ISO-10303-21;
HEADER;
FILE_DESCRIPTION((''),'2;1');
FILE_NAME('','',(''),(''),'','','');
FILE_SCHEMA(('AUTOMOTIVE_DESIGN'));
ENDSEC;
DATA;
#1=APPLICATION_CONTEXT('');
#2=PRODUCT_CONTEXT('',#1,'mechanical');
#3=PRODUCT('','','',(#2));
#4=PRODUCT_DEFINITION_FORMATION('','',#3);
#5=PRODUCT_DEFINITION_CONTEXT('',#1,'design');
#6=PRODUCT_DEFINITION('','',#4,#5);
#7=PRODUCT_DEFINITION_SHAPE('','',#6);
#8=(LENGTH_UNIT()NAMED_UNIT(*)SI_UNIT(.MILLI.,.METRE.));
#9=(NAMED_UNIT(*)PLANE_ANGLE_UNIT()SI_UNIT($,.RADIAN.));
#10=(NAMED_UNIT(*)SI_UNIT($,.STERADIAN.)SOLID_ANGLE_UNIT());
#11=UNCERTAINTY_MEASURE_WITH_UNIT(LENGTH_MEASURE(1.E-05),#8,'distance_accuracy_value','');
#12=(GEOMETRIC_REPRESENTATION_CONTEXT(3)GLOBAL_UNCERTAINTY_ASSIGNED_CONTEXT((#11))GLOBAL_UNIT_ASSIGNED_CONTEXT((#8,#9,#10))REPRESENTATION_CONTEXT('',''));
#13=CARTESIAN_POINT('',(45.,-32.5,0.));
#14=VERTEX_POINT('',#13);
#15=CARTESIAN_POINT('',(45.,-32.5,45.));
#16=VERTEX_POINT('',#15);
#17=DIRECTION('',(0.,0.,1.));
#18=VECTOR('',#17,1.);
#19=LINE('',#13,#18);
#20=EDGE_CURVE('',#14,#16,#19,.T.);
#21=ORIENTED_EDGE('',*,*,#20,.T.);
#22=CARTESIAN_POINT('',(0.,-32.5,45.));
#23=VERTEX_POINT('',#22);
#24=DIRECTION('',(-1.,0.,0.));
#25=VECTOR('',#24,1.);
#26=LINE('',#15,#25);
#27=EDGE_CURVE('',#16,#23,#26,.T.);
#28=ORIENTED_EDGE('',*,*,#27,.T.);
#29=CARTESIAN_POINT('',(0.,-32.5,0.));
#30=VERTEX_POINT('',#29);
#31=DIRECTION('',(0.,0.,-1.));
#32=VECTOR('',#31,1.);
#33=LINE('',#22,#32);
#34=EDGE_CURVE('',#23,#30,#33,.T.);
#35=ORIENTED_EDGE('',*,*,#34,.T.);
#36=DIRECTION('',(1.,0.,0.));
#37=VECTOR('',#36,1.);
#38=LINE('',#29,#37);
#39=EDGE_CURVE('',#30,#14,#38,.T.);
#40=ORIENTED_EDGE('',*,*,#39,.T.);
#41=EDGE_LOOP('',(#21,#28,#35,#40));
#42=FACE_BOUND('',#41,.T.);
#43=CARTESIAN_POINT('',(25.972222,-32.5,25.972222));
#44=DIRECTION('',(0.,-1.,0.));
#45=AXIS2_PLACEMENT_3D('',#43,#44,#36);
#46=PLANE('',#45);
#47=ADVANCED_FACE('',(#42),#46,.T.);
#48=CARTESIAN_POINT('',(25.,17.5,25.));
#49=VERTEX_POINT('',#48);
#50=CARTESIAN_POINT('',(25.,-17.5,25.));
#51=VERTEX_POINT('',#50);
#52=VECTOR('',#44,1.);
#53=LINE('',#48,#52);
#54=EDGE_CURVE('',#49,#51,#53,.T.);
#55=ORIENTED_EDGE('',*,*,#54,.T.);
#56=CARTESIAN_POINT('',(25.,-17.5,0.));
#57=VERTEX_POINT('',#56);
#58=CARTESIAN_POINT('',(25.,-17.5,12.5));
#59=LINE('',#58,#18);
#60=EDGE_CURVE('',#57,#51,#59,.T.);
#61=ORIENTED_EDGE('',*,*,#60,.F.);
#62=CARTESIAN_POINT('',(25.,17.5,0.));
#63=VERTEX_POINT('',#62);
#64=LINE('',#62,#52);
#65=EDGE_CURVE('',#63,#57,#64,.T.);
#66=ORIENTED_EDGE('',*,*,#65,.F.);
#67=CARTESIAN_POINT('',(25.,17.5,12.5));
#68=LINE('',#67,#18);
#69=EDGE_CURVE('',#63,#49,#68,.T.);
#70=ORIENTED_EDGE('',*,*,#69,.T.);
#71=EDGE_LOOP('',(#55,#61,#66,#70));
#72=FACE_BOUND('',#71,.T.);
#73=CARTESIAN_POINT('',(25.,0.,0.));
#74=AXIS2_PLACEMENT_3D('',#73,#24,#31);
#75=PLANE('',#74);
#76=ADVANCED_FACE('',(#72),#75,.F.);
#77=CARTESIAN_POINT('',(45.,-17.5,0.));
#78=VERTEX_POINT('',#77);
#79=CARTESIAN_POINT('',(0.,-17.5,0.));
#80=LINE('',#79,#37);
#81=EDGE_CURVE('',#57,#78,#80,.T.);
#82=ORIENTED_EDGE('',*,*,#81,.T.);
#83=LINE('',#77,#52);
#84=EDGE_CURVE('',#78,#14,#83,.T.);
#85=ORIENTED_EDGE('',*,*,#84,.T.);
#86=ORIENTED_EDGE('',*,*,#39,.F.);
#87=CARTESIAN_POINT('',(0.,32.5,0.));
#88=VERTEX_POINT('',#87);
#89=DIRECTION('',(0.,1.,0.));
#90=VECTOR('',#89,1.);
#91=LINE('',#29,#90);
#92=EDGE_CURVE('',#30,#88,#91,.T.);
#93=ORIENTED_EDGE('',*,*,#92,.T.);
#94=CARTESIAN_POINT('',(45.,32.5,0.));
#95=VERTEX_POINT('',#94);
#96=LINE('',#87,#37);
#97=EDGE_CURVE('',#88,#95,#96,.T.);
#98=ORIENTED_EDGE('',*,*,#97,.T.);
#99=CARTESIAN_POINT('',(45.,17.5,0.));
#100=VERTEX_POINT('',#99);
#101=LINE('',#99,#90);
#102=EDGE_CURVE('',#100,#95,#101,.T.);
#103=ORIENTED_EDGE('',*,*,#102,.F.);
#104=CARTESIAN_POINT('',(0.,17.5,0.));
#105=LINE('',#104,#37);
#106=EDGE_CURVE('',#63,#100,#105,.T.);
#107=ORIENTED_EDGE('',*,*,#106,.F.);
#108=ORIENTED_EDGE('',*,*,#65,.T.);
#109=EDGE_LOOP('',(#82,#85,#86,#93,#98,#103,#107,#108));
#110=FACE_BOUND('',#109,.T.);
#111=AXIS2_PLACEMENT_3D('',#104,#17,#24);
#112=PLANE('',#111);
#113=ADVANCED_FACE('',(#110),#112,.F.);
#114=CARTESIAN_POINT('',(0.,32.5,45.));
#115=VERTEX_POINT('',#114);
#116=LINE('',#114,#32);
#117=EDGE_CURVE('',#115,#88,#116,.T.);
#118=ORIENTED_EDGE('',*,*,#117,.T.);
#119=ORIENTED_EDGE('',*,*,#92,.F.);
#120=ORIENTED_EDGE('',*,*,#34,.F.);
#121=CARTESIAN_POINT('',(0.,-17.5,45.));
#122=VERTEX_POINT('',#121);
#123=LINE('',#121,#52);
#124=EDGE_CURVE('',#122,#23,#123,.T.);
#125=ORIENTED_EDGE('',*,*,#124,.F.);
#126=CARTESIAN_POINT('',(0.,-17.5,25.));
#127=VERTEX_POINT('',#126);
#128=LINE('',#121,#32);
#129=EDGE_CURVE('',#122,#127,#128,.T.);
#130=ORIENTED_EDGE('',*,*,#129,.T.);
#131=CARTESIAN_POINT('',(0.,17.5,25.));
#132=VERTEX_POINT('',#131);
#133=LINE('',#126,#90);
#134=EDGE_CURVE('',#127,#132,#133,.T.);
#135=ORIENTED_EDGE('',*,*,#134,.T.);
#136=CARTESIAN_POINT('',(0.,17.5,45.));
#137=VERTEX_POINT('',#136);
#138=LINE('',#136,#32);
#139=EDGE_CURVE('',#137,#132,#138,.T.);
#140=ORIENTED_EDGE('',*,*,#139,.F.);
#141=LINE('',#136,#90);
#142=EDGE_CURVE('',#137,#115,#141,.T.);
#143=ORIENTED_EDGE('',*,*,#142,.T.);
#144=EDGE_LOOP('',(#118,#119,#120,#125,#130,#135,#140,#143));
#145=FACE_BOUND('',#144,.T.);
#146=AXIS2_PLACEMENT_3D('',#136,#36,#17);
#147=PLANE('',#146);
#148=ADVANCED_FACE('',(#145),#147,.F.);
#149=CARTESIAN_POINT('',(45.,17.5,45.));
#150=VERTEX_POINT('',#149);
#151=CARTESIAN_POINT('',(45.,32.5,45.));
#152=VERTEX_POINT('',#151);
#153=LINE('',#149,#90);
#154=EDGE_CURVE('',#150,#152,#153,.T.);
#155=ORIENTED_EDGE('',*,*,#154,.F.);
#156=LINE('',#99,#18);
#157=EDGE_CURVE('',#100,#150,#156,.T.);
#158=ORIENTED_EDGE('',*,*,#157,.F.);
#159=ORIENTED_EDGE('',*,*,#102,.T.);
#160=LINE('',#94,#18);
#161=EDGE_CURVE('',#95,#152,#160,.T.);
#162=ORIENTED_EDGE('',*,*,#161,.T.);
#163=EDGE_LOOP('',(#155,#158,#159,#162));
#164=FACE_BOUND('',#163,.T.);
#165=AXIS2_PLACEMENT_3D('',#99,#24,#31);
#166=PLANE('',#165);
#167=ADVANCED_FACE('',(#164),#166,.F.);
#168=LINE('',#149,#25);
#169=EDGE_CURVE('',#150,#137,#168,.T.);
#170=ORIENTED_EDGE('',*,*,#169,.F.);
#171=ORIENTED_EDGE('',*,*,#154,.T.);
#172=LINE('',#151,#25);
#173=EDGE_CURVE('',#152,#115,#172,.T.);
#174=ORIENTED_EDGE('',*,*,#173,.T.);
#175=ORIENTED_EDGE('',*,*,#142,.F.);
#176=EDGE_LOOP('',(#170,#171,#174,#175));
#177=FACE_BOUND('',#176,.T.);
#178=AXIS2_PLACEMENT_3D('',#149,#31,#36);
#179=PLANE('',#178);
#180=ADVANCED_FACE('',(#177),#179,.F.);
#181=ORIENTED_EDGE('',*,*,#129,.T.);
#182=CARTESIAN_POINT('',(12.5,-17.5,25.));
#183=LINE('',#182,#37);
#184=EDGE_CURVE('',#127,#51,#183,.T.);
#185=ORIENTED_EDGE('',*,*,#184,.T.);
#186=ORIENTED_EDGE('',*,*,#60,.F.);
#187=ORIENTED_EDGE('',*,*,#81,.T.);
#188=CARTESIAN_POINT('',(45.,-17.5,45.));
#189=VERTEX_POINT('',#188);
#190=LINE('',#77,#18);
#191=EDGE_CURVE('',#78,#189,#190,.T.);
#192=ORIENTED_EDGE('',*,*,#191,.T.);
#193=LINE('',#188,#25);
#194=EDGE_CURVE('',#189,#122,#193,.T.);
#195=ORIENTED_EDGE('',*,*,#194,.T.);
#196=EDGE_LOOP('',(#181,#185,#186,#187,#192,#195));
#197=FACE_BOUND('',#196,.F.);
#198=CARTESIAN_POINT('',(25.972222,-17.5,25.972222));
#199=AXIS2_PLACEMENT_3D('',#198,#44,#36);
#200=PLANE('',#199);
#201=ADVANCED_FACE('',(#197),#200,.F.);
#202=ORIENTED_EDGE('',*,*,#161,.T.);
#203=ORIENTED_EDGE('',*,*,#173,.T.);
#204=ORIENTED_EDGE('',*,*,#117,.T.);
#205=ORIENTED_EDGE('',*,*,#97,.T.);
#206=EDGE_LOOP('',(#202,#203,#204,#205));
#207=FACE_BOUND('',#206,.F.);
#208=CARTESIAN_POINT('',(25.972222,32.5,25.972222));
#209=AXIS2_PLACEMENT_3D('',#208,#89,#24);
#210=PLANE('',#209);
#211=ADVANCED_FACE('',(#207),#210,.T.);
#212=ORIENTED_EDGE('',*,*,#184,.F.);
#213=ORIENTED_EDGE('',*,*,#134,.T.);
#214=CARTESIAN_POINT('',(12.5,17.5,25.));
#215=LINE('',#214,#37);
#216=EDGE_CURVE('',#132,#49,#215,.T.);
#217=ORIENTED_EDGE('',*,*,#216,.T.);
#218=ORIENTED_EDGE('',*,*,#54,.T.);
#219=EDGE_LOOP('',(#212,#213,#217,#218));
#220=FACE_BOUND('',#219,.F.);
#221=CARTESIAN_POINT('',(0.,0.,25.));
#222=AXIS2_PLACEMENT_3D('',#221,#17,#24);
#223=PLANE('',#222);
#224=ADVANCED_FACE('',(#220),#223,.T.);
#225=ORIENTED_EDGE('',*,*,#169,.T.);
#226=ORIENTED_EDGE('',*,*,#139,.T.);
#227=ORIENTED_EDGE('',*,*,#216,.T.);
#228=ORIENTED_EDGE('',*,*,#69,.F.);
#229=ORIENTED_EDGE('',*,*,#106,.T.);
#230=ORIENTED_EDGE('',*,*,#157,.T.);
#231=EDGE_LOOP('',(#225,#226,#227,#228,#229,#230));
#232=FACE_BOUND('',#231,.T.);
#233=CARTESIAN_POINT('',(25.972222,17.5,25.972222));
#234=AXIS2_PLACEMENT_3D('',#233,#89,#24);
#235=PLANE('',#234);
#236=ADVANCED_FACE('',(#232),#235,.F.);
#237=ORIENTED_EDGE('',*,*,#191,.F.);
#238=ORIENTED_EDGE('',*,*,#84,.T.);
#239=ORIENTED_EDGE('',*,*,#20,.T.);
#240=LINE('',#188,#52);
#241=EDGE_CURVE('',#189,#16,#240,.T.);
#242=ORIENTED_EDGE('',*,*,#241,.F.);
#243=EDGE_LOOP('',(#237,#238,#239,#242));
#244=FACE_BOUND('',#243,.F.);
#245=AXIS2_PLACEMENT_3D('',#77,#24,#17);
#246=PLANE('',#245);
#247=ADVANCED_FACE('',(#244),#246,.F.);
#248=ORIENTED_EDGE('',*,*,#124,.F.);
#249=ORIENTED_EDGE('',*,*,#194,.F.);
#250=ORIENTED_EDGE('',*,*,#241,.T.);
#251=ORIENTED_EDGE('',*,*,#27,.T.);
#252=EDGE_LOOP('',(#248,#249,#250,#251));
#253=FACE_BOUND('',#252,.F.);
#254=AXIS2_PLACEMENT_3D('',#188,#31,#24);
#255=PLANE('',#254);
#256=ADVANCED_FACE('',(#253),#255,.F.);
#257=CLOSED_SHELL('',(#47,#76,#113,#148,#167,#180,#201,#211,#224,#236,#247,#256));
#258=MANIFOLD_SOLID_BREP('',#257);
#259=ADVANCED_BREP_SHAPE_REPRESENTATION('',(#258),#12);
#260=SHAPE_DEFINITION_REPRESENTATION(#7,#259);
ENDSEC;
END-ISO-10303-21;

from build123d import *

# Parameters (mm, degrees)
F0_W     = 25
F0_H     = 25
F1_DEPTH = 17.5
F2_W     = 25
F2_H     = 25
F3_DEPTH = 15


with BuildPart() as f1:
    # F0 (on Front) → F1 (new body)
    with BuildSketch(Plane.XZ):
        with Locations((12.5, 12.5)):
            Rectangle(F0_W, F0_H)
    extrude(amount=F1_DEPTH)

    # F2 (on face) → F3 (join)
    with BuildSketch(Plane.XZ.offset(17.5)):
        Polygon((25, 25), (25, 0), (45, 0), (45, 45), (0, 45), (0, 25), align=None)
        with Locations((12.5, 12.5)):
            Rectangle(F2_W, F2_H)
    extrude(amount=F3_DEPTH)

    # F4: F1 across face


with BuildPart() as f1_1:
    add(f1.part)
    add(f1.part.mirror(Plane(origin=(12.5, 0, 12.5), x_dir=(1, 0, 0), z_dir=(0, 1, 0))))


solid = f1_1.part
